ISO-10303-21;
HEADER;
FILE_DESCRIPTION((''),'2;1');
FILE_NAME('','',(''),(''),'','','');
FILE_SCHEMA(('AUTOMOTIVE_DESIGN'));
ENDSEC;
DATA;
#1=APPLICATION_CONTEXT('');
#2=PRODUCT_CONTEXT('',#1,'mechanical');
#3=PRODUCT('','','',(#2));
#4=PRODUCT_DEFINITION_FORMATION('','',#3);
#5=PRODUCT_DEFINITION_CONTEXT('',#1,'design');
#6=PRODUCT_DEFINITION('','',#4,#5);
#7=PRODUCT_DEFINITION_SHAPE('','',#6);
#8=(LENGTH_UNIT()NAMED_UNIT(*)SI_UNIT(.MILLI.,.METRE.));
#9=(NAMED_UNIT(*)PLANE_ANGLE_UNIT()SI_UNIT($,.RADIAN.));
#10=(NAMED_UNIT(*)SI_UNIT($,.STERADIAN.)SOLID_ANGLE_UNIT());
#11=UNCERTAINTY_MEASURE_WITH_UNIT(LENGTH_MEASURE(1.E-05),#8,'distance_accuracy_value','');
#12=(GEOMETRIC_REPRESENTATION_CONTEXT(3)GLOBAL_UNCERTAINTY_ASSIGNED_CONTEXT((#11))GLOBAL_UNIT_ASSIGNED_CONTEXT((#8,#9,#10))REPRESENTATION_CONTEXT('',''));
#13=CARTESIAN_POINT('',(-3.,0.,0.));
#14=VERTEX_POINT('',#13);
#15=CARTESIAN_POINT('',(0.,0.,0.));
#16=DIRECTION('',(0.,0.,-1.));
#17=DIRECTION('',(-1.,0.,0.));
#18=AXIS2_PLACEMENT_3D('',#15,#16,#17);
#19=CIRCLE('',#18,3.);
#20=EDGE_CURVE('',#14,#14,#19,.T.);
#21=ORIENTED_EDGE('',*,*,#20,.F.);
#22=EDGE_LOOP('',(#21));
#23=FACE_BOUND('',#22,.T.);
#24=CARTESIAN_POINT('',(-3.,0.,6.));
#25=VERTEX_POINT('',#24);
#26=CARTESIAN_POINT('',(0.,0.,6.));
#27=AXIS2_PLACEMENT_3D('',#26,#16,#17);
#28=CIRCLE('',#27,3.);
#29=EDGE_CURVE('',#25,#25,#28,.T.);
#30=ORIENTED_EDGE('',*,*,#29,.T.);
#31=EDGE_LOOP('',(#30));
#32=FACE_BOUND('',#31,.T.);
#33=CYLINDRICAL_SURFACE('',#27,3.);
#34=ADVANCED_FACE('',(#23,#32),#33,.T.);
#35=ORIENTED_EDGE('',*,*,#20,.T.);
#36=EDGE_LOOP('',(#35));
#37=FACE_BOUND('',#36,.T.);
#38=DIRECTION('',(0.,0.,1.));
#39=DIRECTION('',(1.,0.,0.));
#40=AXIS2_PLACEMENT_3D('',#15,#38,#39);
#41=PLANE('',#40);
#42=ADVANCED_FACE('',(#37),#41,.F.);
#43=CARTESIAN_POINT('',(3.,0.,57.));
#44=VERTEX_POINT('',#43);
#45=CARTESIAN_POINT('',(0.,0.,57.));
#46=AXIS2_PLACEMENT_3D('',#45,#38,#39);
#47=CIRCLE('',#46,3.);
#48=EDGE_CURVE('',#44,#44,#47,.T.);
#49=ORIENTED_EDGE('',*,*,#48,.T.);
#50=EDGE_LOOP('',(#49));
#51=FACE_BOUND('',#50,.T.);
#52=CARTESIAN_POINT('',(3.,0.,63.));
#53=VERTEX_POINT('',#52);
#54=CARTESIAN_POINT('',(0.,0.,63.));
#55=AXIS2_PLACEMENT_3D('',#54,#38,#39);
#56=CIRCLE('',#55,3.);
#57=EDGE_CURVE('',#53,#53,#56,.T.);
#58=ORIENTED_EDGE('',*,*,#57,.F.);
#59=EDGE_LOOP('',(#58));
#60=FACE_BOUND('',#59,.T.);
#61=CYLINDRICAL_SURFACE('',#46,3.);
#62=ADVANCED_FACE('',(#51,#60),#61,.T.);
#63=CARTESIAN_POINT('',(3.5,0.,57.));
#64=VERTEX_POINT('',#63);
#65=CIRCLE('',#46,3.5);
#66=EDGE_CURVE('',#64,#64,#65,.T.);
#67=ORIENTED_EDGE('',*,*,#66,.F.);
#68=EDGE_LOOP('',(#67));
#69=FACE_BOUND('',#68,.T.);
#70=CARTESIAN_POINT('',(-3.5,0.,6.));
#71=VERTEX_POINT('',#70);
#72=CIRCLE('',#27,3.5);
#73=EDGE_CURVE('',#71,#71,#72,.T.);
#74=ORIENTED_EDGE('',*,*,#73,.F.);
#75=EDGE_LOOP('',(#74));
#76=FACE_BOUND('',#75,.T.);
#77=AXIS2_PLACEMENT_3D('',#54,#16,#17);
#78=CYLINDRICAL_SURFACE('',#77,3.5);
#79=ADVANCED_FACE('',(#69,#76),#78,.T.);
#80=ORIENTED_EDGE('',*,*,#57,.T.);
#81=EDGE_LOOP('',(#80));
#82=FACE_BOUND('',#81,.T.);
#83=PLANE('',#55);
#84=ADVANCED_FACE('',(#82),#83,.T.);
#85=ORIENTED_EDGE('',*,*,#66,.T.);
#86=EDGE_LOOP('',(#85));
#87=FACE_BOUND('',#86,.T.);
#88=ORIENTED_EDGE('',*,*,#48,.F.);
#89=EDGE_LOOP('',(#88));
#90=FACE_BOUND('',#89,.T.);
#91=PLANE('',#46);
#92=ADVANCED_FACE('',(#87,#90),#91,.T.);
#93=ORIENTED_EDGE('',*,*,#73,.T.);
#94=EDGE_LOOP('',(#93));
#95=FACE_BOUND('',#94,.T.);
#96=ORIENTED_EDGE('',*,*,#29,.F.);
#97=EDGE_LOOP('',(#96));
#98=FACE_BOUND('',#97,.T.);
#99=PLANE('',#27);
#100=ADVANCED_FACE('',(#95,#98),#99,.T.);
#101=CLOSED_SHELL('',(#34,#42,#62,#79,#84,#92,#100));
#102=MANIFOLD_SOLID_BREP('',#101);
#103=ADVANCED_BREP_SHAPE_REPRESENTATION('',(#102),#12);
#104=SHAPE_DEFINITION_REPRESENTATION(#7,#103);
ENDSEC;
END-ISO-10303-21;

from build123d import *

# Parameters (mm, degrees)
SKETCH_1_R          = 3.5
EXTRUDE_1_DEPTH     = 63
SKETCH_2_R          = 5.249939155
SKETCH_2_R_2        = 3
CUT_EXTRUDE_1_DEPTH = 6
SKETCH_3_R          = 5.960650936
SKETCH_3_R_2        = 3
CUT_EXTRUDE_2_DEPTH = 6


with BuildPart() as part:
    # ｽｹｯﾁ1 → ﾎﾞｽ - 押し出し1 (new body)
    with BuildSketch(Plane.XY):
        Circle(SKETCH_1_R)
    extrude(amount=EXTRUDE_1_DEPTH)

    # ｽｹｯﾁ2 → ｶｯﾄ - 押し出し1 (cut)
    with BuildSketch(Plane.XY.offset(63)):
        Circle(SKETCH_2_R)
        Circle(SKETCH_2_R_2, mode=Mode.SUBTRACT)
    extrude(amount=-CUT_EXTRUDE_1_DEPTH, mode=Mode.SUBTRACT)

    # ｽｹｯﾁ3 → ｶｯﾄ - 押し出し2 (cut)
    with BuildSketch(Plane(origin=(0, 0, 0), x_dir=(-1, 0, 0), z_dir=(0, 0, -1))):
        Circle(SKETCH_3_R)
        Circle(SKETCH_3_R_2, mode=Mode.SUBTRACT)
    extrude(amount=-CUT_EXTRUDE_2_DEPTH, mode=Mode.SUBTRACT)


solid = part.part
